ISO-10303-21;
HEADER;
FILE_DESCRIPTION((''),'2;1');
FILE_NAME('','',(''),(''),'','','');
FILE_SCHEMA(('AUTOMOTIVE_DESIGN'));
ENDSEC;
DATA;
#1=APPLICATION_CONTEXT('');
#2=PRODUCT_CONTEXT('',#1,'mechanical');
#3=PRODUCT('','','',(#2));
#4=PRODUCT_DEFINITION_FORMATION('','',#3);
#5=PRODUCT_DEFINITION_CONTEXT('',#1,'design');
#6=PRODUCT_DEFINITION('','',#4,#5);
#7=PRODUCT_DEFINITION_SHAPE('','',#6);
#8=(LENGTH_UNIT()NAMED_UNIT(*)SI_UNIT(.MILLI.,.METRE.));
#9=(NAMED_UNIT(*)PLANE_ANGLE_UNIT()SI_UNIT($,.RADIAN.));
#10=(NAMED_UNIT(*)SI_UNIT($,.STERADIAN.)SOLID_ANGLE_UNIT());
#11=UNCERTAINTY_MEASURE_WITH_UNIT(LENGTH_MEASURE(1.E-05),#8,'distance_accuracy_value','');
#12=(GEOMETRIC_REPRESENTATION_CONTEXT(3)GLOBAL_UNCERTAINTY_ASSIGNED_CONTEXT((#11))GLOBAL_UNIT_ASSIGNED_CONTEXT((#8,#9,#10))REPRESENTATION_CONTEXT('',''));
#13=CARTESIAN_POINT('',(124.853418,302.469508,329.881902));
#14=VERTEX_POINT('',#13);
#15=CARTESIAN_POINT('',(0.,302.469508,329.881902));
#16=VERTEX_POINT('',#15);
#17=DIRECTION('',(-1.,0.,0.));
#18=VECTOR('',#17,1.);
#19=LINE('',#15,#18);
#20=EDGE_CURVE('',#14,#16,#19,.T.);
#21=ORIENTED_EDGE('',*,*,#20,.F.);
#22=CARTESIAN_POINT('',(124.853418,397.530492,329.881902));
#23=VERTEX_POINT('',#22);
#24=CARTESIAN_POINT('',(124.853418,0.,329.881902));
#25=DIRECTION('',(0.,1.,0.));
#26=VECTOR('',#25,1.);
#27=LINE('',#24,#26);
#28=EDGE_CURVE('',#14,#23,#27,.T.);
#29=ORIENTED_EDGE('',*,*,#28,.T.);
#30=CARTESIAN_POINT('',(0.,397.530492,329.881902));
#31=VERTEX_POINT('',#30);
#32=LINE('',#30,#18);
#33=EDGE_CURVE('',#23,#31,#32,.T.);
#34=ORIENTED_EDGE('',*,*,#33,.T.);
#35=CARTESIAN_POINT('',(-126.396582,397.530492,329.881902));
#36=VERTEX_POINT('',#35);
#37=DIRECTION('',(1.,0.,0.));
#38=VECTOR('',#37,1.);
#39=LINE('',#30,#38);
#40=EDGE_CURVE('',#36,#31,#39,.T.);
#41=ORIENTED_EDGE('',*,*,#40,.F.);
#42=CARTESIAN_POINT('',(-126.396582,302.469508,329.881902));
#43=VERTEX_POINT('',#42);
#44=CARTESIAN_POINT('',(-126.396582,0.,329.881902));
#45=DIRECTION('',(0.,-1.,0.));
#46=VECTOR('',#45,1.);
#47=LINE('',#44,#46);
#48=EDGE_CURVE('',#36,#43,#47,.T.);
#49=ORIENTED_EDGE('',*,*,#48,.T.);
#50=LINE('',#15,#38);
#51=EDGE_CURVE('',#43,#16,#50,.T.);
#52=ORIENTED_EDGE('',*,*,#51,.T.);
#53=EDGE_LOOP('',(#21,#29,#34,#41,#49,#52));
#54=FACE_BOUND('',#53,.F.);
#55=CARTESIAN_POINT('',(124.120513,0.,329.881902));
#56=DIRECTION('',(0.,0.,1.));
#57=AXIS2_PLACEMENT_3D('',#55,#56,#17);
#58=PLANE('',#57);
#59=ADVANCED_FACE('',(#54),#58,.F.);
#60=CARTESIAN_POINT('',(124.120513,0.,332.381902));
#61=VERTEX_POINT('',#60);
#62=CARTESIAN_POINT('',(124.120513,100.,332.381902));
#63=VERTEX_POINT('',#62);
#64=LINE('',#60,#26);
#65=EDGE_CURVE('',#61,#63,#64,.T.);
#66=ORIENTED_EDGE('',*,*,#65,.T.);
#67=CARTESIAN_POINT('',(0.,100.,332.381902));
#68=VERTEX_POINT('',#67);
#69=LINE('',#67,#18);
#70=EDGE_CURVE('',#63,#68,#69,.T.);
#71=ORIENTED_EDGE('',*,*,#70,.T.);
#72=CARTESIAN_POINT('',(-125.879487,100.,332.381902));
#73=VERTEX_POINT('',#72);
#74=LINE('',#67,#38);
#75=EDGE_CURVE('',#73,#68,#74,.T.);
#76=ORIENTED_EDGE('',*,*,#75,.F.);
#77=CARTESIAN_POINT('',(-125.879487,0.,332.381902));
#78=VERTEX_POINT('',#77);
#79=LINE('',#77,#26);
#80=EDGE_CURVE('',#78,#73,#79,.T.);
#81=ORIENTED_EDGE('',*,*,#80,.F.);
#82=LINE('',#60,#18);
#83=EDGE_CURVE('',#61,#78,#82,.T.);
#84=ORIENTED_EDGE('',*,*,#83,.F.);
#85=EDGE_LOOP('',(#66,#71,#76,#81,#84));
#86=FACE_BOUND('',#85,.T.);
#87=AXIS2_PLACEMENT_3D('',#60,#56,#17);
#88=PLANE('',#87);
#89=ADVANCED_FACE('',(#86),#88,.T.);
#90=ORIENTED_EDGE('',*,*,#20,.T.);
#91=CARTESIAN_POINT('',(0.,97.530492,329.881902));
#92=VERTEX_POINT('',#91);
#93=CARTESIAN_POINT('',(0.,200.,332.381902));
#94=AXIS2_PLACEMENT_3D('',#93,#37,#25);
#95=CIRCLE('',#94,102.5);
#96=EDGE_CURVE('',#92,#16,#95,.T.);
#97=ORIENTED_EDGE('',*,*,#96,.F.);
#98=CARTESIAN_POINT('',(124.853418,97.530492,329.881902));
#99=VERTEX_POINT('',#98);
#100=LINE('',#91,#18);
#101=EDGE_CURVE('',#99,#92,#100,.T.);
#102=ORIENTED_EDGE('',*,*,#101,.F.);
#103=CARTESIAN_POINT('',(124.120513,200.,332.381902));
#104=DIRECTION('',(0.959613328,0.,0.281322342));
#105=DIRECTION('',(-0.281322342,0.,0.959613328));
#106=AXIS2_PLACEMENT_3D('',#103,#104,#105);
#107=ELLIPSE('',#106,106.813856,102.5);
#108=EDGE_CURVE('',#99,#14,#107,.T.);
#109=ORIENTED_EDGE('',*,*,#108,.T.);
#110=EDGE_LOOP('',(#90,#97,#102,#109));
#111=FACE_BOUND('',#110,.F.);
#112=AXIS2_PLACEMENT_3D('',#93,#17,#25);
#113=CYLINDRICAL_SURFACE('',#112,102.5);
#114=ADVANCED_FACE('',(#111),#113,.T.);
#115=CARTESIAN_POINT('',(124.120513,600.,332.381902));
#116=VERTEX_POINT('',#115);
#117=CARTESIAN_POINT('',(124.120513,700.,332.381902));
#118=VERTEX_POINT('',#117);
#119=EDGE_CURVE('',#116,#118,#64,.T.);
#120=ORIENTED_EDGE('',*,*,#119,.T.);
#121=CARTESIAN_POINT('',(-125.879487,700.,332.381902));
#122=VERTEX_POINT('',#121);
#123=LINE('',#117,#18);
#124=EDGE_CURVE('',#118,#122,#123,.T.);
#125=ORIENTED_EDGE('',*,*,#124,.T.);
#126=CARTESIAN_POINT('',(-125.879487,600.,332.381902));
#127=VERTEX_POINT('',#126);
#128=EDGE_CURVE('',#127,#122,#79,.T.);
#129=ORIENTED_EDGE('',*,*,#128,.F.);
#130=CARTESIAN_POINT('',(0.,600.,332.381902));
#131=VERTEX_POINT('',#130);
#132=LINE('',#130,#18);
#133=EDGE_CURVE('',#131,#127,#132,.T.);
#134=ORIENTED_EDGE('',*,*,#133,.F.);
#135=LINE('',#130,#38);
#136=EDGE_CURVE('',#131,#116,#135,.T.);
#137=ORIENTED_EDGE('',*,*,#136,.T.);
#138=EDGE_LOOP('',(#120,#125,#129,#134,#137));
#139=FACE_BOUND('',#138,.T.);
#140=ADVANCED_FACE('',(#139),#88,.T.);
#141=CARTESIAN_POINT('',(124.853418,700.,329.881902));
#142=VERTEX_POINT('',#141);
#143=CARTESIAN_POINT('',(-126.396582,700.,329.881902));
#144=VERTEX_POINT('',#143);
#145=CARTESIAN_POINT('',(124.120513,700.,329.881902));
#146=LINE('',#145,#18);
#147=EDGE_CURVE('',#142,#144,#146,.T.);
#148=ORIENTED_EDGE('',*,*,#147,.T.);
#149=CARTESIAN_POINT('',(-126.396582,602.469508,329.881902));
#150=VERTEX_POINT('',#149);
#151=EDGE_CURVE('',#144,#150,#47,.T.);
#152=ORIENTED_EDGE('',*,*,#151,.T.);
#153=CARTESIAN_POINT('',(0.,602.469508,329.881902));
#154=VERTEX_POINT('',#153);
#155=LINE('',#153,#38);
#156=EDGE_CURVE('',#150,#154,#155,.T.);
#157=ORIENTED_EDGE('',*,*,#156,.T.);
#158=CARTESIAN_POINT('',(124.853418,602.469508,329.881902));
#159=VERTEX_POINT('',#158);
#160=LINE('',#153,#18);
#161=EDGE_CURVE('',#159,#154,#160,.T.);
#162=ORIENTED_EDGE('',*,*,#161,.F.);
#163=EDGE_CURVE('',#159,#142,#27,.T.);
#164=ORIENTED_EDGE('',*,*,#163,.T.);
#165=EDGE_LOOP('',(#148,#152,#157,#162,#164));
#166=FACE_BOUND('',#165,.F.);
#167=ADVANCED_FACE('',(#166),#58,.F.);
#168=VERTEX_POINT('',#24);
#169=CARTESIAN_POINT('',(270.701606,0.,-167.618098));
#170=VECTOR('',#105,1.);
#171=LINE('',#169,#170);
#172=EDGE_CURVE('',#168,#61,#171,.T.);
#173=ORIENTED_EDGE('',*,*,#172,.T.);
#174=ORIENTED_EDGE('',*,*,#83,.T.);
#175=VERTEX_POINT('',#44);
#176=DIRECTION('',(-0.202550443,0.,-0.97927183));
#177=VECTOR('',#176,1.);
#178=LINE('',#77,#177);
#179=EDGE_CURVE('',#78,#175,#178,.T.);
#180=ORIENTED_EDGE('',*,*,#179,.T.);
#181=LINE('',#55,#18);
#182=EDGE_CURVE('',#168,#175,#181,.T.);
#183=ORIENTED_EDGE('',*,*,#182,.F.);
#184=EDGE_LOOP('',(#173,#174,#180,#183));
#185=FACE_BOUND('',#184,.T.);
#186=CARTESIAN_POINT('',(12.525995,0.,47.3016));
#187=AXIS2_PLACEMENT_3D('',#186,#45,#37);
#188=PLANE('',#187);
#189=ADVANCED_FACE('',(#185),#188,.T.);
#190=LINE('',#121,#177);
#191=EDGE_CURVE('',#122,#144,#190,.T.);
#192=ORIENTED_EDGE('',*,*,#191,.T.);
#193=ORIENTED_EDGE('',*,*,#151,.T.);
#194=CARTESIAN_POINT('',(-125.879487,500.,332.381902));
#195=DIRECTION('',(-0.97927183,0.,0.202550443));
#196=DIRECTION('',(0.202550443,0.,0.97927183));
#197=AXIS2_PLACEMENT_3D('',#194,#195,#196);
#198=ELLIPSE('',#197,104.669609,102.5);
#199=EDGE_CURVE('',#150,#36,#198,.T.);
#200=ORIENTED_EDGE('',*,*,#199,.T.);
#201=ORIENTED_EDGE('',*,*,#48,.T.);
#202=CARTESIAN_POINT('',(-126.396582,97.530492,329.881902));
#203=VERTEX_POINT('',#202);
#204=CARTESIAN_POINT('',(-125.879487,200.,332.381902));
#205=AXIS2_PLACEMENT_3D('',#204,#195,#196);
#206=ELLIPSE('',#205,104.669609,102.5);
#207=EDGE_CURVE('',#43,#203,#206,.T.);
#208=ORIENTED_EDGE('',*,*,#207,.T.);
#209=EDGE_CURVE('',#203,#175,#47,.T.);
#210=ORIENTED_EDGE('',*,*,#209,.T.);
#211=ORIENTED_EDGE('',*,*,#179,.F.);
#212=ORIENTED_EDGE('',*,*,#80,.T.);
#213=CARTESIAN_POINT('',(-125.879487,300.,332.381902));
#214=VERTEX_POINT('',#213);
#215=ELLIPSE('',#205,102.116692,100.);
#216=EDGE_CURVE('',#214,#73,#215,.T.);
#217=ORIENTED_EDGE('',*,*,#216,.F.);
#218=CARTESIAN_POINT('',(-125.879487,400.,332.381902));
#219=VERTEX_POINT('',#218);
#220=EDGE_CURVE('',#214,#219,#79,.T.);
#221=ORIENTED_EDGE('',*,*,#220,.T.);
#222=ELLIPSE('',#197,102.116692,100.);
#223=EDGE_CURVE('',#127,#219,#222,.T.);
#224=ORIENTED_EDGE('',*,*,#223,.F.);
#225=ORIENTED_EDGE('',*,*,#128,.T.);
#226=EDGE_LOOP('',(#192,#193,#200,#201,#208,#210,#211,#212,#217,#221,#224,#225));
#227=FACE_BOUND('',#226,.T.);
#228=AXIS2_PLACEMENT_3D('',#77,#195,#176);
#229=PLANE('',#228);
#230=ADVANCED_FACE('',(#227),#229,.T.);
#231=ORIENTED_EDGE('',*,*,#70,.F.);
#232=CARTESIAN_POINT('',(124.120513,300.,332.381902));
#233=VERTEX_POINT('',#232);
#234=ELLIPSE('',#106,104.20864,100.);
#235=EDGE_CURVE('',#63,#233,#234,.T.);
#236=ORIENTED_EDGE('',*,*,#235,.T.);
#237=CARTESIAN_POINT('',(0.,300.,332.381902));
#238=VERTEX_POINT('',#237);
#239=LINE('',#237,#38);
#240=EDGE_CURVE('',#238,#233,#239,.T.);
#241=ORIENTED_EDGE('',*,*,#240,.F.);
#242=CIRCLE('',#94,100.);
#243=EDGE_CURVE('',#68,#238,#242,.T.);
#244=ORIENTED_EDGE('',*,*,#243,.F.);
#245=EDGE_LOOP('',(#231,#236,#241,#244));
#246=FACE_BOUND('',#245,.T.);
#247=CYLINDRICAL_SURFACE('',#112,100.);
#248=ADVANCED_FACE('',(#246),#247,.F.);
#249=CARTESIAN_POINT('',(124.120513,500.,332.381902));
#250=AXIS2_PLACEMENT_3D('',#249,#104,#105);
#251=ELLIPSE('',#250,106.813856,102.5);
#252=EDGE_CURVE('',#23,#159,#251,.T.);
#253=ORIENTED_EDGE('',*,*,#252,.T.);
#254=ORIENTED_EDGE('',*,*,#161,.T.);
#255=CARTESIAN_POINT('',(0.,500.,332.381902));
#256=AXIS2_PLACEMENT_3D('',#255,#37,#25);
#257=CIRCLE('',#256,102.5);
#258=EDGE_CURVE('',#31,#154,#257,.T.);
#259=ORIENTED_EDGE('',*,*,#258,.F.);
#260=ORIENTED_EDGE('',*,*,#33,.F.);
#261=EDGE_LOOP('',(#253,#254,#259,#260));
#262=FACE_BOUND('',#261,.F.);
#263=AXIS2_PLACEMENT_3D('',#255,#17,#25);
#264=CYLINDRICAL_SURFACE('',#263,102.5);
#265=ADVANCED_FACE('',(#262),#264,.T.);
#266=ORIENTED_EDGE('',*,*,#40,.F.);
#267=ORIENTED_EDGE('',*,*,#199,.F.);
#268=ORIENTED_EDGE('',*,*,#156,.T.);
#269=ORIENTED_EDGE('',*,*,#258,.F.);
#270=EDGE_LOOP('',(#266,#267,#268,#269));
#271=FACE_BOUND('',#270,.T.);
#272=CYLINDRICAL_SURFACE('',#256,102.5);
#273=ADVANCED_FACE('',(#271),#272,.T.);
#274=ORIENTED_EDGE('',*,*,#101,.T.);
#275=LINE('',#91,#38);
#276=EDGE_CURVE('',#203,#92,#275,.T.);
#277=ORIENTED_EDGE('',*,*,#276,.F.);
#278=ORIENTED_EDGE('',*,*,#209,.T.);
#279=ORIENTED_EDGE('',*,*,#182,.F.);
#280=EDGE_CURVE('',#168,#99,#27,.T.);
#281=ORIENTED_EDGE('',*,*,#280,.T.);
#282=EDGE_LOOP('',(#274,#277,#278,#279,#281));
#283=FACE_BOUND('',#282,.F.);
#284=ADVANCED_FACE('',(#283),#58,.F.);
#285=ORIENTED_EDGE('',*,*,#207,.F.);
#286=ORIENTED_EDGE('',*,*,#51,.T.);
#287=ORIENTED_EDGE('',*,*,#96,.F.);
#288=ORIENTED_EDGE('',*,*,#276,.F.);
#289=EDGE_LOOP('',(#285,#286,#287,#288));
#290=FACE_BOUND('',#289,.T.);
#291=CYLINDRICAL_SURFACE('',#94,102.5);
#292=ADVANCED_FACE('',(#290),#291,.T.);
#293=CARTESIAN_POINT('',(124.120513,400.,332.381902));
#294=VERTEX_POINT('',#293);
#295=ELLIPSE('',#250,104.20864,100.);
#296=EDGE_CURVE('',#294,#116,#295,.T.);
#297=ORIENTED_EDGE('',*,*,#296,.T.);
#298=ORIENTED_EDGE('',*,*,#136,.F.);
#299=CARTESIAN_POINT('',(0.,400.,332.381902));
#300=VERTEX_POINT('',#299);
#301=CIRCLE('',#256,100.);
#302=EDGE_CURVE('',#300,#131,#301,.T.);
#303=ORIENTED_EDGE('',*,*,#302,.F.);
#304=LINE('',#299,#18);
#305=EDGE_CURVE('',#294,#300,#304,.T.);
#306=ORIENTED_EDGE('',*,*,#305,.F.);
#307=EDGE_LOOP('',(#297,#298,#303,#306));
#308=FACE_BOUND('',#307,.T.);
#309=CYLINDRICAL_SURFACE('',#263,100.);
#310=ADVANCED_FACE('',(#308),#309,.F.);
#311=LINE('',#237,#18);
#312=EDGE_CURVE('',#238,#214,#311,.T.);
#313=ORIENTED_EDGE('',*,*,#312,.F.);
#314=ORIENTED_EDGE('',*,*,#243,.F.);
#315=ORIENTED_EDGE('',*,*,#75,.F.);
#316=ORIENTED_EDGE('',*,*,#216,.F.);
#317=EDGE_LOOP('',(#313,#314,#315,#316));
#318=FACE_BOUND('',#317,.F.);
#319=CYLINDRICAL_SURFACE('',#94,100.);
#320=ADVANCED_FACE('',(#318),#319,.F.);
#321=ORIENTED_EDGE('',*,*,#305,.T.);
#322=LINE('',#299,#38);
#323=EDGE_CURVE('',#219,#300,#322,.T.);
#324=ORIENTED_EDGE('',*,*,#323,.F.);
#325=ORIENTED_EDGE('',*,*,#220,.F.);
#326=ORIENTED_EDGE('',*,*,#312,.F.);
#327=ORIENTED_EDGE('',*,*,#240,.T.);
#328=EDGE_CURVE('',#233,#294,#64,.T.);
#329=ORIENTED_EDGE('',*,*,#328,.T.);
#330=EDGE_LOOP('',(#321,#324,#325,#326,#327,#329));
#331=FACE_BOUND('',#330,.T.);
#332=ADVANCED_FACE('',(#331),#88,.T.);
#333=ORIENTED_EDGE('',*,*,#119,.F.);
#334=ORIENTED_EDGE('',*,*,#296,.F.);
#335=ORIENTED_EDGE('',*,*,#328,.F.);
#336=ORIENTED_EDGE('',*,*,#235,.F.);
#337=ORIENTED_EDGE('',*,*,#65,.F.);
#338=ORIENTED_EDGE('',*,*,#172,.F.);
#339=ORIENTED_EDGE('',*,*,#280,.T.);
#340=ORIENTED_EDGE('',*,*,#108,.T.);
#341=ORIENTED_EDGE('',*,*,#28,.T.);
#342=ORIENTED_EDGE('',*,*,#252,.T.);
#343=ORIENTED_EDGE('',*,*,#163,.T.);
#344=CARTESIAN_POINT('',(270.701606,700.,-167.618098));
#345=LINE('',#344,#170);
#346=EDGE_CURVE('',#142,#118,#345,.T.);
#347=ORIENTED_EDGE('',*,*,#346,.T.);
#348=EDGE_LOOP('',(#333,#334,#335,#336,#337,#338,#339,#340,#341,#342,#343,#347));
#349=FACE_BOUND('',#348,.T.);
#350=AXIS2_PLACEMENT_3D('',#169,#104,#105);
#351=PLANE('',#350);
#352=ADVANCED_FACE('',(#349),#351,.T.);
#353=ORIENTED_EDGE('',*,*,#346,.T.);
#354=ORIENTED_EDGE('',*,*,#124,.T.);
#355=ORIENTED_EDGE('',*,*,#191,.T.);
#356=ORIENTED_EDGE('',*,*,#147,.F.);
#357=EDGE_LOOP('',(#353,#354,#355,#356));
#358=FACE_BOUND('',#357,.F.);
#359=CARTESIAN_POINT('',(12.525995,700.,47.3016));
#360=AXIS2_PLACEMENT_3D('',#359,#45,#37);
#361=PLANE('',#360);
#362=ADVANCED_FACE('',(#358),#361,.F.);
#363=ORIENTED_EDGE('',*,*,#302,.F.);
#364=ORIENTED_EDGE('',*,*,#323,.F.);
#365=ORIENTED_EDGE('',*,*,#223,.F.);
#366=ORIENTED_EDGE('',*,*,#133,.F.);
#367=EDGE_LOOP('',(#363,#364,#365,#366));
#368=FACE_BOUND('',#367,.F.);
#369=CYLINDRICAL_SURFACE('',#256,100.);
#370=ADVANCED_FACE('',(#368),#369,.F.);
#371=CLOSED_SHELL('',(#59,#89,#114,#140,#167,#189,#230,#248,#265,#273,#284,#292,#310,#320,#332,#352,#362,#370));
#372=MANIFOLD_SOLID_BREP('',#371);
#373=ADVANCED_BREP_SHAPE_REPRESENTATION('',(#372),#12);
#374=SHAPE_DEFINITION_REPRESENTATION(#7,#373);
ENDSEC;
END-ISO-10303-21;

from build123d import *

# Parameters (mm, degrees)
F1_DEPTH      = 700
F2_R          = 100
F3_DEPTH      = 400
F3_DEPTH_BACK = 310
F4_T          = -2.5


with BuildPart() as f1:
    # F0 (on Front) → F1 (new body)
    with BuildSketch(Plane.XZ):
        Polygon((270.7016063785, -167.6180982615), (124.1205126206, 332.3819017385), (-125.8794873794, 332.3819017385), (-229.2983936215, -167.6180982615), align=None)
    extrude(amount=-F1_DEPTH)

    # F2 (on Right) → F3 (cut, two sides)
    with BuildSketch(Plane.YZ) as f3_sk:
        with Locations((200, 332.3819017385)):
            Circle(F2_R)
        with Locations((500, 332.3819017385)):
            Circle(F2_R)
    extrude(amount=-F3_DEPTH, mode=Mode.SUBTRACT)
    extrude(f3_sk.sketch, amount=F3_DEPTH_BACK, mode=Mode.SUBTRACT)

    # F4
    f4_openings = [f1.faces().sort_by_distance(p)[0] for p in [
        (11.110009, 0, 54.604124),
        (203.411383, 350, 61.914311),
        (20.701606, 350, -167.618098),
        (-181.822412, 350, 61.914311),
        (11.110009, 700, 54.604124),
    ]]
    offset(amount=F4_T, openings=f4_openings)


solid = f1.part
